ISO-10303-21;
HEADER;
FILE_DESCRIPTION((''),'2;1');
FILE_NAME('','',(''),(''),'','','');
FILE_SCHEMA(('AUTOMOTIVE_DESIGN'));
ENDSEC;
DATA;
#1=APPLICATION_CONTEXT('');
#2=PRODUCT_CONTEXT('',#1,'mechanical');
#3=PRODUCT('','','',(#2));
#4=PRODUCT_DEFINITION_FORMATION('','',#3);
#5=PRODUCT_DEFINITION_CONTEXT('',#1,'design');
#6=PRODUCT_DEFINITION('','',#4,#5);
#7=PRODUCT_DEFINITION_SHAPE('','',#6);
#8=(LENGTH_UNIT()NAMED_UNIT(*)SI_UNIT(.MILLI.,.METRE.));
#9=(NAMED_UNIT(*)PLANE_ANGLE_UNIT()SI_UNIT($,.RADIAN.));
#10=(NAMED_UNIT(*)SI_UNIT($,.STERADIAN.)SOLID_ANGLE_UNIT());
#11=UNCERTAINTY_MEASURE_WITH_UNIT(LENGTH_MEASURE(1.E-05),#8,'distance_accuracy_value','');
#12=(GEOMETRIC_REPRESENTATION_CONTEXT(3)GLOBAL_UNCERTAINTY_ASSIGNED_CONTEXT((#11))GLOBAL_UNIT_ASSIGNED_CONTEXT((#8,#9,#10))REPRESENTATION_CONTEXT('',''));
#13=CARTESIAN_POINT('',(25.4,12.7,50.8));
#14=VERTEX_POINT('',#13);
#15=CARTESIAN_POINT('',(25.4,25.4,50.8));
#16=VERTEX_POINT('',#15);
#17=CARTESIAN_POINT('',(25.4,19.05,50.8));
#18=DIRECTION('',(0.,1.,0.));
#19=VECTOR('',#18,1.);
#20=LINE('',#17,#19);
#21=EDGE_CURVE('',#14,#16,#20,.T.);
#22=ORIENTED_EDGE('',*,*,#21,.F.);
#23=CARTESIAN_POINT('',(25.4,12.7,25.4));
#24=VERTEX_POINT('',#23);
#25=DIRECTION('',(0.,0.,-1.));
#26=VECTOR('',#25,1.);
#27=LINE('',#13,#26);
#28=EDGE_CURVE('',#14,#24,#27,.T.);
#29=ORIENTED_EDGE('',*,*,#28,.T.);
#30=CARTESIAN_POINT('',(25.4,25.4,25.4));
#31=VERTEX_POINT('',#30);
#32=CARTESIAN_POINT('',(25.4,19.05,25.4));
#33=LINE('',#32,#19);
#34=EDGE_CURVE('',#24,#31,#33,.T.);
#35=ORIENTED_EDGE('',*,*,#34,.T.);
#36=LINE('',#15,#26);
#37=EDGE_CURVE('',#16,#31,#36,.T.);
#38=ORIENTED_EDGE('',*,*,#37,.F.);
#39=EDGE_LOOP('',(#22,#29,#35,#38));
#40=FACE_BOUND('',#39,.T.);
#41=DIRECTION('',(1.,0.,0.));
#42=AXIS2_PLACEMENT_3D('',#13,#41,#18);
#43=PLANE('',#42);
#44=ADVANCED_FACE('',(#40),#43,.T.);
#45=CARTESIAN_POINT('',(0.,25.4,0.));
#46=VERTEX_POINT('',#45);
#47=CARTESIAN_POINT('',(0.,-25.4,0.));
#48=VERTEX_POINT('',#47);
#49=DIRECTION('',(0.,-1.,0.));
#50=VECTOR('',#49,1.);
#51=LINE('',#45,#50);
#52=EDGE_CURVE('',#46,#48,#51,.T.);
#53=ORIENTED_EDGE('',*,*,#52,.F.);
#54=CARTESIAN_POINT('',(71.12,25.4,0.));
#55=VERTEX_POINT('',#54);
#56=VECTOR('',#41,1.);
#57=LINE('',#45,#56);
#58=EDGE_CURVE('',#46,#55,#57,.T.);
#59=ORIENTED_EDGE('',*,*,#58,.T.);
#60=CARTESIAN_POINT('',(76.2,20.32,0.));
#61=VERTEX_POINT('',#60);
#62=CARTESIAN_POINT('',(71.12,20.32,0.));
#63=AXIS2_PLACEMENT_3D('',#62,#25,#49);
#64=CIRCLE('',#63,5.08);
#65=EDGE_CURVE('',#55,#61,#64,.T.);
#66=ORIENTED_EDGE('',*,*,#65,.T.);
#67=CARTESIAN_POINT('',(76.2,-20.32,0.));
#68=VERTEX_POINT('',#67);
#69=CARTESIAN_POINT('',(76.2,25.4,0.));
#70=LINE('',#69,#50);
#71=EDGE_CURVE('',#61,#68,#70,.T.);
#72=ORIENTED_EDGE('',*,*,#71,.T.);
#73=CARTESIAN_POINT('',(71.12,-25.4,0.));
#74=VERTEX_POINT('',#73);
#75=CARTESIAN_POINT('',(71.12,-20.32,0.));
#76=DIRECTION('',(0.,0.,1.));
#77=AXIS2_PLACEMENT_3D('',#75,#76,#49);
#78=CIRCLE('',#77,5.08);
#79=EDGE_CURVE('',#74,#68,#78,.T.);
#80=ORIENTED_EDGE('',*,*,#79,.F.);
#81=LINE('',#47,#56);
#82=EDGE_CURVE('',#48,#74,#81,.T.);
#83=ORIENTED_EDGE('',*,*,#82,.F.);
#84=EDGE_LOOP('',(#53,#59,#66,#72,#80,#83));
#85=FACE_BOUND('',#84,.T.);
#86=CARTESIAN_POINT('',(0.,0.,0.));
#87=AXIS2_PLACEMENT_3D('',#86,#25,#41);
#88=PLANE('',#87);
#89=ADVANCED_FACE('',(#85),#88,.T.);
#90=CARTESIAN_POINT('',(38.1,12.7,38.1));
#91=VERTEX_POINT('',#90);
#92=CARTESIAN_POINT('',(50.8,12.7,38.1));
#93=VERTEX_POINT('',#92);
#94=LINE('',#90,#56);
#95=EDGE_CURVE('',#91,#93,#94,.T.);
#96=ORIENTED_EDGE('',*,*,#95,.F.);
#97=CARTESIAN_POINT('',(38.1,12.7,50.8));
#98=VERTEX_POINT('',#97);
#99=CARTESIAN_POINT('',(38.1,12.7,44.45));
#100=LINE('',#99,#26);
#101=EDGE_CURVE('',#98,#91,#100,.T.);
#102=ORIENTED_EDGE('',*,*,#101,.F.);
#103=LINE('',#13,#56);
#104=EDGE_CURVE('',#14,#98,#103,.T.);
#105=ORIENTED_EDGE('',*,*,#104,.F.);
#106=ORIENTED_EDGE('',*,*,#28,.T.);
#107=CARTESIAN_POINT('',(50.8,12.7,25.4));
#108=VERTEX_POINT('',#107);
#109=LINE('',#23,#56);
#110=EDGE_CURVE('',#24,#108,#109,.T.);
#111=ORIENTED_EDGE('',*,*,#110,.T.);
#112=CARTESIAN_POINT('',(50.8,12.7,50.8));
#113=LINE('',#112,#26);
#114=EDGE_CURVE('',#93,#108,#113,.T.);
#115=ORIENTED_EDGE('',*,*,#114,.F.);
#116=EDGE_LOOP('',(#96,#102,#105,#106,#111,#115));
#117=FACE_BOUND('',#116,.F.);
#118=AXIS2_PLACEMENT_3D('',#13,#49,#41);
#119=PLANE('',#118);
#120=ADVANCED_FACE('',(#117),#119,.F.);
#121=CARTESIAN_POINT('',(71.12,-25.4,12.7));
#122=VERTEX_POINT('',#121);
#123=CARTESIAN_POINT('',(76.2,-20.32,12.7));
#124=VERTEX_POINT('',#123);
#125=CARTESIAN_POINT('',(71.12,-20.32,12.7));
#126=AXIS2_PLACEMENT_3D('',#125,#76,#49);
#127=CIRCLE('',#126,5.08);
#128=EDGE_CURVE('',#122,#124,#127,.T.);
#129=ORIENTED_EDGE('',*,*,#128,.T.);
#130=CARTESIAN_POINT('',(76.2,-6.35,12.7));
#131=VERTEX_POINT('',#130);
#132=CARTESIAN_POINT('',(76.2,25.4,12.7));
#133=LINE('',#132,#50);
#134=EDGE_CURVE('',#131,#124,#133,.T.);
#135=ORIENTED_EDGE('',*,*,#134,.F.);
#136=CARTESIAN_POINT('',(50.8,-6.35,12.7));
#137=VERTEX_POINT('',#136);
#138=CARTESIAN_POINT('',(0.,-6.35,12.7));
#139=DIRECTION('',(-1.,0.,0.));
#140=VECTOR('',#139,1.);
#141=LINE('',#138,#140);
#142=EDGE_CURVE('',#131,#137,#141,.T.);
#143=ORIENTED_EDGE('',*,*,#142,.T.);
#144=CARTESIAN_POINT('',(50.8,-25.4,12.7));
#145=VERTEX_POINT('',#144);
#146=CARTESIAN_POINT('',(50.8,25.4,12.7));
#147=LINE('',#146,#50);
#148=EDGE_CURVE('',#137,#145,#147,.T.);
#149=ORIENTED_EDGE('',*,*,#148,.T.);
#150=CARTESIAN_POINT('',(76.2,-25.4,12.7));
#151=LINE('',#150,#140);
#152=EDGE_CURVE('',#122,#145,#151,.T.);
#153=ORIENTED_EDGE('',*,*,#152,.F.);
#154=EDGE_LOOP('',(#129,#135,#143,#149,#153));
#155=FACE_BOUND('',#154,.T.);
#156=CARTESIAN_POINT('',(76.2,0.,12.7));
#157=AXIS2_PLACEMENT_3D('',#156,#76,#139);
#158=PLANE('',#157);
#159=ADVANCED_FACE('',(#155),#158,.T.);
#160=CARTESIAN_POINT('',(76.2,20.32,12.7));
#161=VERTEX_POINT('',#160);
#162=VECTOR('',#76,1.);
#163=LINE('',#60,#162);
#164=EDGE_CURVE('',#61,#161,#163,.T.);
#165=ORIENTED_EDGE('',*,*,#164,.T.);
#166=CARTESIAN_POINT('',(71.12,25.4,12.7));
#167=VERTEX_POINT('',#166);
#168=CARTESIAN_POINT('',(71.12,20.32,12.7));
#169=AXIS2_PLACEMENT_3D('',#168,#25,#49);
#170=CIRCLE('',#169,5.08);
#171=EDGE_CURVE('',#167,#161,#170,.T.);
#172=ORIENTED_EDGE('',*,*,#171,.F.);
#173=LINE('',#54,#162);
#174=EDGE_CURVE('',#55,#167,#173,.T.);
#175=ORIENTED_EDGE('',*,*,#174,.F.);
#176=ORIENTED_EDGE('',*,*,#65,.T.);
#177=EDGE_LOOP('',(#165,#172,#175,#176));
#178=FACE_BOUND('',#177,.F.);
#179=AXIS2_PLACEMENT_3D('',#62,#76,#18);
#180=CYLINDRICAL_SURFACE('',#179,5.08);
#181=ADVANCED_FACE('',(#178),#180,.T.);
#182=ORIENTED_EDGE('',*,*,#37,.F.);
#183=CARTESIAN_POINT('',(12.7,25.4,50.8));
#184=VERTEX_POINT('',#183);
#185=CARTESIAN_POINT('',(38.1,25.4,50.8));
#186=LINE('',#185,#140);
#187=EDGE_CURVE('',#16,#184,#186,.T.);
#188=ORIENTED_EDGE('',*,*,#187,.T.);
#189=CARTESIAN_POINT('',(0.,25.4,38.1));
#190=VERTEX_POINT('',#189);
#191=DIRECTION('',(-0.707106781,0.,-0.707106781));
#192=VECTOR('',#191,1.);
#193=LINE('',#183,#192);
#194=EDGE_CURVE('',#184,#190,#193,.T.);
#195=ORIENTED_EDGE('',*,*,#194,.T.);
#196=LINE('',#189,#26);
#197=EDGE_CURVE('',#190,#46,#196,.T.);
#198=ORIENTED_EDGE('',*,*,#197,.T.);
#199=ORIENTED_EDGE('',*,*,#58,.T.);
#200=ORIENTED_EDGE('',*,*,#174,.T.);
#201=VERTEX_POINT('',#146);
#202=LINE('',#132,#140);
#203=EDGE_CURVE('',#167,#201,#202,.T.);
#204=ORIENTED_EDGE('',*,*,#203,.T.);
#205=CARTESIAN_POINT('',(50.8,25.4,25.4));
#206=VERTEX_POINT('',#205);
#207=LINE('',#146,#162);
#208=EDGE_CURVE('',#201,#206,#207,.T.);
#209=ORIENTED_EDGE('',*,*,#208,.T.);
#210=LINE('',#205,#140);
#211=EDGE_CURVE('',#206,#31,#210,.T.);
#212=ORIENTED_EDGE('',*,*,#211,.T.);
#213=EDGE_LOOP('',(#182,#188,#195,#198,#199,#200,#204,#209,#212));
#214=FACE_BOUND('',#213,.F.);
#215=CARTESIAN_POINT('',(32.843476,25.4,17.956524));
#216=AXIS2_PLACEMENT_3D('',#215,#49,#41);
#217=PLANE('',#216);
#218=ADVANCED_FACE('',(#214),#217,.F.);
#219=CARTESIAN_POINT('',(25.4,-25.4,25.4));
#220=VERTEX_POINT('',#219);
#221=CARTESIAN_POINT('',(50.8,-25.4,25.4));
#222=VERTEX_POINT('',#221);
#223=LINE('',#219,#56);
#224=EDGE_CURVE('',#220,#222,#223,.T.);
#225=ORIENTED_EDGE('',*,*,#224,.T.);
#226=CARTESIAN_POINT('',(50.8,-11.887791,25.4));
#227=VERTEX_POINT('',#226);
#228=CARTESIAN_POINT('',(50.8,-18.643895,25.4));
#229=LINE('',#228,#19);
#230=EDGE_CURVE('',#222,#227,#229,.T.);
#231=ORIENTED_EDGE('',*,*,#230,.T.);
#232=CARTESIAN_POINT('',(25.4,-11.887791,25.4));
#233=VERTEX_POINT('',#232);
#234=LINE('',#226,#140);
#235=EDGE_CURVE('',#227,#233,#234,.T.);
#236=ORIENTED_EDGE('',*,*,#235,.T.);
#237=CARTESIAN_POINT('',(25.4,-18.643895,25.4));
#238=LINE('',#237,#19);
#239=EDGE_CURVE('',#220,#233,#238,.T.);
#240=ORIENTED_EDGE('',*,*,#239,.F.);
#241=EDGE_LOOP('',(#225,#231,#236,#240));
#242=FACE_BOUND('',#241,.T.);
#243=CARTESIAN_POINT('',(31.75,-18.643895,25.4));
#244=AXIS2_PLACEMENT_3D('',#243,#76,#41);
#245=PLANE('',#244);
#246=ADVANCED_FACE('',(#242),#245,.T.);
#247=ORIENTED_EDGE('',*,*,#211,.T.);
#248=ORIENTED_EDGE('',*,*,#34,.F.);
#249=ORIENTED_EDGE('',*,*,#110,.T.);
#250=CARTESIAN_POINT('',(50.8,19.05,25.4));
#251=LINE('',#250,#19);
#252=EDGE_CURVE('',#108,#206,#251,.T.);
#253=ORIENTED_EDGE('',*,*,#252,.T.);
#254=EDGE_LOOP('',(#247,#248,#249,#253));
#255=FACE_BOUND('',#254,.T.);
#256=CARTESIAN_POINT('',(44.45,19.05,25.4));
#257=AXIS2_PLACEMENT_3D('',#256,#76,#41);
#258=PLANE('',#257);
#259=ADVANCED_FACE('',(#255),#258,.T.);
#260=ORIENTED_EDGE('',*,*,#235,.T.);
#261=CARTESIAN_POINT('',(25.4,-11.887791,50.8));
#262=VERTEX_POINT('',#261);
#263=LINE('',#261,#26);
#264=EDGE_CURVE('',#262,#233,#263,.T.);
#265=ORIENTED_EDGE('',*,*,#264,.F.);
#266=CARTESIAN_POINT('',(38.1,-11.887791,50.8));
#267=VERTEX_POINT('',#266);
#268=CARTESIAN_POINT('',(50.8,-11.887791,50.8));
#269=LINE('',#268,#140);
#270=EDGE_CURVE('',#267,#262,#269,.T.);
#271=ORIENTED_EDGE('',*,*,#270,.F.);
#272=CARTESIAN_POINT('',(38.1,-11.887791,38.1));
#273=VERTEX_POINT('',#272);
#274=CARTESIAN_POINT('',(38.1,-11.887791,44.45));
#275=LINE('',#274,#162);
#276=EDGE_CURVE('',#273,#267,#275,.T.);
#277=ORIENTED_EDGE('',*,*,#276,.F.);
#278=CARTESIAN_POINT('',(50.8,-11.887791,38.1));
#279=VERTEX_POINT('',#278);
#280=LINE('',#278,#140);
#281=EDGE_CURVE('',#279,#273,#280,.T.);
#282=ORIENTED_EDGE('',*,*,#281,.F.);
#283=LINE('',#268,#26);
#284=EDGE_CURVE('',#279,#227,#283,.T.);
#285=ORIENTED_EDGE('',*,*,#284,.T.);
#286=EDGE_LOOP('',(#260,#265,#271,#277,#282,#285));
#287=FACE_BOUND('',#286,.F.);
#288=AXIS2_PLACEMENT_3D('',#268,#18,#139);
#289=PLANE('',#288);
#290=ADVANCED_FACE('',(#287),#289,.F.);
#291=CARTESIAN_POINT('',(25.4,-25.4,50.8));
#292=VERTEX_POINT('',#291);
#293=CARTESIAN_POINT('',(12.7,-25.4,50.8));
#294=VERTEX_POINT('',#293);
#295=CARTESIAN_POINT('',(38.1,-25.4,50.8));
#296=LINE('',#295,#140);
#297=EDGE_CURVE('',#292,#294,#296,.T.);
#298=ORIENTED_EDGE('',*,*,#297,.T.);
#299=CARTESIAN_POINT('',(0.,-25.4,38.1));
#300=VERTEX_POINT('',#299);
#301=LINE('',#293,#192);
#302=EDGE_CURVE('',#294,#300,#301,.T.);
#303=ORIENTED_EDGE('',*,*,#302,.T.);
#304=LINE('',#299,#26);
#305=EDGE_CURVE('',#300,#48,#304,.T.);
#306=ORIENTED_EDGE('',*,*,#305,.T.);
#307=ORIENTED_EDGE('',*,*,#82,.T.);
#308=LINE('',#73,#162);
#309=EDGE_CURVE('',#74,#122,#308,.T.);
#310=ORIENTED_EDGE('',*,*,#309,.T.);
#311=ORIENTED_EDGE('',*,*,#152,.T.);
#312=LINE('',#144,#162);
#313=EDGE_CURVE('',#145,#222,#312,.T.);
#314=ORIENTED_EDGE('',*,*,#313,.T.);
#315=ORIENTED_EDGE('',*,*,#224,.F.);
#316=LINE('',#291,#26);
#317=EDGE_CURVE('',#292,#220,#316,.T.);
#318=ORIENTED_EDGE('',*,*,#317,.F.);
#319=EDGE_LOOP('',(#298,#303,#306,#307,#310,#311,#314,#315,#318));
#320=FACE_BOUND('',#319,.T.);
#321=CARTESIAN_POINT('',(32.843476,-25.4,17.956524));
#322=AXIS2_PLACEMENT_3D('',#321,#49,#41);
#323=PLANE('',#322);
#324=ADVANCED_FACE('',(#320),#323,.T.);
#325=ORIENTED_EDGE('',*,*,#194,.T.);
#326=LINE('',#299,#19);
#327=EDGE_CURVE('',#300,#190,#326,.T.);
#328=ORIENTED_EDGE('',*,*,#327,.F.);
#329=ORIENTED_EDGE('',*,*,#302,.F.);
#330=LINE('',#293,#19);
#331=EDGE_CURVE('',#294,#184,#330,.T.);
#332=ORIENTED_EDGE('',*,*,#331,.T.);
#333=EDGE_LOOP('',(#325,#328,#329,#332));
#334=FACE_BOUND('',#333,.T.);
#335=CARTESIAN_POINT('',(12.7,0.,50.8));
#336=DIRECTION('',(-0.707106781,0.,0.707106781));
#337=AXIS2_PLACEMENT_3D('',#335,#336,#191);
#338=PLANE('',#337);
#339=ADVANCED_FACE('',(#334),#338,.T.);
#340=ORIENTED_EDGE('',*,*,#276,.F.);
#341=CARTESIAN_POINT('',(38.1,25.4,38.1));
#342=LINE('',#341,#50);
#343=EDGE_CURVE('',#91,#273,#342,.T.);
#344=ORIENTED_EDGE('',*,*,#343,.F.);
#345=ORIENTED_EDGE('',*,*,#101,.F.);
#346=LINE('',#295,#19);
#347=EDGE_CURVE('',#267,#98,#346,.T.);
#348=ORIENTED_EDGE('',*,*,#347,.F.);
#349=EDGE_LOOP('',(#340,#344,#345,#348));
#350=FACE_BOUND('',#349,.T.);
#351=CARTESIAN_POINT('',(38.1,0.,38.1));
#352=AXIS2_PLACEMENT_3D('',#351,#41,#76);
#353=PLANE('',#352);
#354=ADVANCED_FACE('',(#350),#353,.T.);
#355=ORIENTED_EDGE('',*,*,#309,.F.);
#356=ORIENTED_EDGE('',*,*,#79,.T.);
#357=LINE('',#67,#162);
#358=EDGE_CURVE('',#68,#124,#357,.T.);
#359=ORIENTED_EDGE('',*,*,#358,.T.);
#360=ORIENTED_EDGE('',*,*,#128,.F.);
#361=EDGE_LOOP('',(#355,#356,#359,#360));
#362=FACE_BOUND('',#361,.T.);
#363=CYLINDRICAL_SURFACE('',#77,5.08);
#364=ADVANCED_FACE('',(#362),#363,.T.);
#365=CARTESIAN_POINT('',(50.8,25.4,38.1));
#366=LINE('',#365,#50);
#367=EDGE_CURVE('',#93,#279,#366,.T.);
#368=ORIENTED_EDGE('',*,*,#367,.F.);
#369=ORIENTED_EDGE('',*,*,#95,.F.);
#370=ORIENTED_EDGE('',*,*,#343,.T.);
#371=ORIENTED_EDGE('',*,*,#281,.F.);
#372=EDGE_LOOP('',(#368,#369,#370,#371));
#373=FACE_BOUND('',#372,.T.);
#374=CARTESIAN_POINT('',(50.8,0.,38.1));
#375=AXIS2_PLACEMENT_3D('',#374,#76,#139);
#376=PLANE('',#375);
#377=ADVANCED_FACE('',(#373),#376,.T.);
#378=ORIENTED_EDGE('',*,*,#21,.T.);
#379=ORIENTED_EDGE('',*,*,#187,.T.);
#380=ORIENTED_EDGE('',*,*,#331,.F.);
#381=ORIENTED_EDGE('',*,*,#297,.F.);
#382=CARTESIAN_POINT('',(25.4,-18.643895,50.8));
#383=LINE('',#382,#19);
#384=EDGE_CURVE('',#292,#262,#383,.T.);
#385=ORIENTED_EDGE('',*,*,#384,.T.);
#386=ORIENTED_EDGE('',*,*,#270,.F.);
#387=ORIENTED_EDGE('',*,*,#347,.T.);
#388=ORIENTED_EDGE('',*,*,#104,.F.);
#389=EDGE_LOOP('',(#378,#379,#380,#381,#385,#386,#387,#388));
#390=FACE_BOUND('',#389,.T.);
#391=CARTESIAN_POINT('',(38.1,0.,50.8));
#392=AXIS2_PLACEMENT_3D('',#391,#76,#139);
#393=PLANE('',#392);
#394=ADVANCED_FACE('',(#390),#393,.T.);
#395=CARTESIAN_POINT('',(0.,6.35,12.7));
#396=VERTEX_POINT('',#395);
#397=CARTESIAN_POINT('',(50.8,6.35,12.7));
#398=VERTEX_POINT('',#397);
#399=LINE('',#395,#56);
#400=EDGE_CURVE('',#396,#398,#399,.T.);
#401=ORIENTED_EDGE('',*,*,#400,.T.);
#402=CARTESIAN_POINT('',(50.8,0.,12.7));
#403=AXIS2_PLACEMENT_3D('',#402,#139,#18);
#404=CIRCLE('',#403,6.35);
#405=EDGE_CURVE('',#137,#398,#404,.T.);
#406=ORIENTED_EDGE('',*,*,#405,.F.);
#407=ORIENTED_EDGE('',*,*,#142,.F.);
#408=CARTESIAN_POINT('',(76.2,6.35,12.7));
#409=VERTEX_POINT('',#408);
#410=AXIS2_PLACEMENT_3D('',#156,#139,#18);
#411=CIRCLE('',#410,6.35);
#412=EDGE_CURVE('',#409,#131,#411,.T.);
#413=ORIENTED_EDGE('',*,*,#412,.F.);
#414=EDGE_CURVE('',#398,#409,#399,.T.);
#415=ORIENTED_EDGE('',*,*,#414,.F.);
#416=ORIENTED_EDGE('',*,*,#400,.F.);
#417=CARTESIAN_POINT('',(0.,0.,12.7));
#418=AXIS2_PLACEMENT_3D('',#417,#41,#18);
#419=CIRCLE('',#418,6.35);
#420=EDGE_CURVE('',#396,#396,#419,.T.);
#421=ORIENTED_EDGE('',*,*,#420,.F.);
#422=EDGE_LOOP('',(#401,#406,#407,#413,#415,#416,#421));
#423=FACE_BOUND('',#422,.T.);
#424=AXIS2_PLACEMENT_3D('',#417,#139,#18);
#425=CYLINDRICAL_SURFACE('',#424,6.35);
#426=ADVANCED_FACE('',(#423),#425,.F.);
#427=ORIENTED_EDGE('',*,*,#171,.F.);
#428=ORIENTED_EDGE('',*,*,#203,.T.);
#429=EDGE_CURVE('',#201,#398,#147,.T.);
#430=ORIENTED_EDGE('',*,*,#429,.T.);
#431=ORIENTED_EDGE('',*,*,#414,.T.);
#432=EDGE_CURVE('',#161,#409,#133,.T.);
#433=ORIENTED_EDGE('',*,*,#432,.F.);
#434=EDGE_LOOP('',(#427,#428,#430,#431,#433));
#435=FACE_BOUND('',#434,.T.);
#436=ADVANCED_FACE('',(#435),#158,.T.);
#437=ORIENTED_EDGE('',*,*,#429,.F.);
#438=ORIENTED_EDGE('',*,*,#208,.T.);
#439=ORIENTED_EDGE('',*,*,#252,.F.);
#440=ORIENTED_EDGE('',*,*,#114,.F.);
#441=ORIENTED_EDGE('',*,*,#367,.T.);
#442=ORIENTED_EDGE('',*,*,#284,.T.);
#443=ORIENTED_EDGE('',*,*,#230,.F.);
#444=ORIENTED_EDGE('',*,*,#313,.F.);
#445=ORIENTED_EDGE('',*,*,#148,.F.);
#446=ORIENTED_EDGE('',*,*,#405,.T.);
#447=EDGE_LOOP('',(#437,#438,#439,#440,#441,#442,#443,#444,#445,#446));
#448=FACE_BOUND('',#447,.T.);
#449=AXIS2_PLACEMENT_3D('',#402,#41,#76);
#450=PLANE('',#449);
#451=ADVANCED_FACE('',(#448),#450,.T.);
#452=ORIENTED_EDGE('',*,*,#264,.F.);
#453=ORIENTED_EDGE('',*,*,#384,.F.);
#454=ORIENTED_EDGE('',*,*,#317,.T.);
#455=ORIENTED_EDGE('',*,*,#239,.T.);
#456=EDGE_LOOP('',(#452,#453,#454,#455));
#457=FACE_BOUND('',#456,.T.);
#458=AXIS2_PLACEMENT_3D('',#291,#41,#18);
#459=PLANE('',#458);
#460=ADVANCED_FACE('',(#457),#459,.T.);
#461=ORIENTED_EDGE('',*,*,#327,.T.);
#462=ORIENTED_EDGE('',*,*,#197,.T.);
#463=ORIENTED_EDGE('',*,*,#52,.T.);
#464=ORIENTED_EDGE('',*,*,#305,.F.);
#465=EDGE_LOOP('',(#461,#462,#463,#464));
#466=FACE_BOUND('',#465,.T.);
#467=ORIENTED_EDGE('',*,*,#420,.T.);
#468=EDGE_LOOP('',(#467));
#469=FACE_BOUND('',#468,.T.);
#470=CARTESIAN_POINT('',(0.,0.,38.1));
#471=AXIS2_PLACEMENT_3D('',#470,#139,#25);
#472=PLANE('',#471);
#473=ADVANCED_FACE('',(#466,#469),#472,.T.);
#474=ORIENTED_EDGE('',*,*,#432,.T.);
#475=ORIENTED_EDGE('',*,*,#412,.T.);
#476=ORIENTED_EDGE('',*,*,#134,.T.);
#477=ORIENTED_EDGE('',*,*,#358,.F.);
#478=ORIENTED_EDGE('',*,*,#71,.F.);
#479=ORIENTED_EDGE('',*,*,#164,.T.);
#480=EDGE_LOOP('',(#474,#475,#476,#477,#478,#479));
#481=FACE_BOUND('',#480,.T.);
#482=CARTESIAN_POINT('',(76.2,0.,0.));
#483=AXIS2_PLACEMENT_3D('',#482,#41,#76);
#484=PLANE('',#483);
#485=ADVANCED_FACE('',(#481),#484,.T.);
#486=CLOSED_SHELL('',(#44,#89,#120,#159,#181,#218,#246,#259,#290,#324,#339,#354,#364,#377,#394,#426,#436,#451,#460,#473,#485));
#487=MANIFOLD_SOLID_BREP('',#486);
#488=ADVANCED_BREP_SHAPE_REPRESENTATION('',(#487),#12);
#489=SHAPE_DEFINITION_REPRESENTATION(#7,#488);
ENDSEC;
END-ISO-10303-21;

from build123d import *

# Parameters (mm, degrees)
F1_DEPTH = 25.4
F2_W     = 12.7
F2_H     = 12.7
F2_H_2   = 13.5122093648
F3_DEPTH = 25.4
F4_R     = 6.35
F5_DEPTH = 76.201
F6_R     = 5.08


with BuildPart() as f1:
    # F0 (on Front) → F1 (new body, symmetric)
    with BuildSketch(Plane.XZ):
        Polygon((0, 38.1), (0, 0), (76.2, 0), (76.2, 12.7), (50.8, 12.7), (50.8, 25.4), (25.4, 25.4), (25.4, 50.8), (12.7, 50.8), align=None)
        Polygon((38.1, 50.8), (25.4, 50.8), (25.4, 25.4), (50.8, 25.4), (50.8, 38.1), (38.1, 38.1), align=None)
    extrude(amount=F1_DEPTH, both=True)

    # F2 (on face) → F3 (cut)
    with BuildSketch(Plane.XY.offset(50.8)):
        with Locations((44.45, 19.05)):
            Rectangle(F2_W, F2_H)
        with Locations((31.75, 19.05)):
            Rectangle(F2_W, F2_H)
        with Locations((31.75, -18.6438953176)):
            Rectangle(F2_W, F2_H_2)
        with Locations((44.45, -18.6438953176)):
            Rectangle(F2_W, F2_H_2)
    extrude(amount=-F3_DEPTH, mode=Mode.SUBTRACT)

    # F4 (on Right) → F5 (cut, through all)
    with BuildSketch(Plane.YZ):
        with Locations((0, 12.7)):
            Circle(F4_R)
    extrude(amount=F5_DEPTH, mode=Mode.SUBTRACT)

    # F6
    f6_edges = [f1.edges().sort_by_distance(p)[0] for p in [
        (76.2, -25.4, 6.35),
        (76.2, 25.4, 6.35),
    ]]
    fillet(f6_edges, radius=F6_R)


solid = f1.part
